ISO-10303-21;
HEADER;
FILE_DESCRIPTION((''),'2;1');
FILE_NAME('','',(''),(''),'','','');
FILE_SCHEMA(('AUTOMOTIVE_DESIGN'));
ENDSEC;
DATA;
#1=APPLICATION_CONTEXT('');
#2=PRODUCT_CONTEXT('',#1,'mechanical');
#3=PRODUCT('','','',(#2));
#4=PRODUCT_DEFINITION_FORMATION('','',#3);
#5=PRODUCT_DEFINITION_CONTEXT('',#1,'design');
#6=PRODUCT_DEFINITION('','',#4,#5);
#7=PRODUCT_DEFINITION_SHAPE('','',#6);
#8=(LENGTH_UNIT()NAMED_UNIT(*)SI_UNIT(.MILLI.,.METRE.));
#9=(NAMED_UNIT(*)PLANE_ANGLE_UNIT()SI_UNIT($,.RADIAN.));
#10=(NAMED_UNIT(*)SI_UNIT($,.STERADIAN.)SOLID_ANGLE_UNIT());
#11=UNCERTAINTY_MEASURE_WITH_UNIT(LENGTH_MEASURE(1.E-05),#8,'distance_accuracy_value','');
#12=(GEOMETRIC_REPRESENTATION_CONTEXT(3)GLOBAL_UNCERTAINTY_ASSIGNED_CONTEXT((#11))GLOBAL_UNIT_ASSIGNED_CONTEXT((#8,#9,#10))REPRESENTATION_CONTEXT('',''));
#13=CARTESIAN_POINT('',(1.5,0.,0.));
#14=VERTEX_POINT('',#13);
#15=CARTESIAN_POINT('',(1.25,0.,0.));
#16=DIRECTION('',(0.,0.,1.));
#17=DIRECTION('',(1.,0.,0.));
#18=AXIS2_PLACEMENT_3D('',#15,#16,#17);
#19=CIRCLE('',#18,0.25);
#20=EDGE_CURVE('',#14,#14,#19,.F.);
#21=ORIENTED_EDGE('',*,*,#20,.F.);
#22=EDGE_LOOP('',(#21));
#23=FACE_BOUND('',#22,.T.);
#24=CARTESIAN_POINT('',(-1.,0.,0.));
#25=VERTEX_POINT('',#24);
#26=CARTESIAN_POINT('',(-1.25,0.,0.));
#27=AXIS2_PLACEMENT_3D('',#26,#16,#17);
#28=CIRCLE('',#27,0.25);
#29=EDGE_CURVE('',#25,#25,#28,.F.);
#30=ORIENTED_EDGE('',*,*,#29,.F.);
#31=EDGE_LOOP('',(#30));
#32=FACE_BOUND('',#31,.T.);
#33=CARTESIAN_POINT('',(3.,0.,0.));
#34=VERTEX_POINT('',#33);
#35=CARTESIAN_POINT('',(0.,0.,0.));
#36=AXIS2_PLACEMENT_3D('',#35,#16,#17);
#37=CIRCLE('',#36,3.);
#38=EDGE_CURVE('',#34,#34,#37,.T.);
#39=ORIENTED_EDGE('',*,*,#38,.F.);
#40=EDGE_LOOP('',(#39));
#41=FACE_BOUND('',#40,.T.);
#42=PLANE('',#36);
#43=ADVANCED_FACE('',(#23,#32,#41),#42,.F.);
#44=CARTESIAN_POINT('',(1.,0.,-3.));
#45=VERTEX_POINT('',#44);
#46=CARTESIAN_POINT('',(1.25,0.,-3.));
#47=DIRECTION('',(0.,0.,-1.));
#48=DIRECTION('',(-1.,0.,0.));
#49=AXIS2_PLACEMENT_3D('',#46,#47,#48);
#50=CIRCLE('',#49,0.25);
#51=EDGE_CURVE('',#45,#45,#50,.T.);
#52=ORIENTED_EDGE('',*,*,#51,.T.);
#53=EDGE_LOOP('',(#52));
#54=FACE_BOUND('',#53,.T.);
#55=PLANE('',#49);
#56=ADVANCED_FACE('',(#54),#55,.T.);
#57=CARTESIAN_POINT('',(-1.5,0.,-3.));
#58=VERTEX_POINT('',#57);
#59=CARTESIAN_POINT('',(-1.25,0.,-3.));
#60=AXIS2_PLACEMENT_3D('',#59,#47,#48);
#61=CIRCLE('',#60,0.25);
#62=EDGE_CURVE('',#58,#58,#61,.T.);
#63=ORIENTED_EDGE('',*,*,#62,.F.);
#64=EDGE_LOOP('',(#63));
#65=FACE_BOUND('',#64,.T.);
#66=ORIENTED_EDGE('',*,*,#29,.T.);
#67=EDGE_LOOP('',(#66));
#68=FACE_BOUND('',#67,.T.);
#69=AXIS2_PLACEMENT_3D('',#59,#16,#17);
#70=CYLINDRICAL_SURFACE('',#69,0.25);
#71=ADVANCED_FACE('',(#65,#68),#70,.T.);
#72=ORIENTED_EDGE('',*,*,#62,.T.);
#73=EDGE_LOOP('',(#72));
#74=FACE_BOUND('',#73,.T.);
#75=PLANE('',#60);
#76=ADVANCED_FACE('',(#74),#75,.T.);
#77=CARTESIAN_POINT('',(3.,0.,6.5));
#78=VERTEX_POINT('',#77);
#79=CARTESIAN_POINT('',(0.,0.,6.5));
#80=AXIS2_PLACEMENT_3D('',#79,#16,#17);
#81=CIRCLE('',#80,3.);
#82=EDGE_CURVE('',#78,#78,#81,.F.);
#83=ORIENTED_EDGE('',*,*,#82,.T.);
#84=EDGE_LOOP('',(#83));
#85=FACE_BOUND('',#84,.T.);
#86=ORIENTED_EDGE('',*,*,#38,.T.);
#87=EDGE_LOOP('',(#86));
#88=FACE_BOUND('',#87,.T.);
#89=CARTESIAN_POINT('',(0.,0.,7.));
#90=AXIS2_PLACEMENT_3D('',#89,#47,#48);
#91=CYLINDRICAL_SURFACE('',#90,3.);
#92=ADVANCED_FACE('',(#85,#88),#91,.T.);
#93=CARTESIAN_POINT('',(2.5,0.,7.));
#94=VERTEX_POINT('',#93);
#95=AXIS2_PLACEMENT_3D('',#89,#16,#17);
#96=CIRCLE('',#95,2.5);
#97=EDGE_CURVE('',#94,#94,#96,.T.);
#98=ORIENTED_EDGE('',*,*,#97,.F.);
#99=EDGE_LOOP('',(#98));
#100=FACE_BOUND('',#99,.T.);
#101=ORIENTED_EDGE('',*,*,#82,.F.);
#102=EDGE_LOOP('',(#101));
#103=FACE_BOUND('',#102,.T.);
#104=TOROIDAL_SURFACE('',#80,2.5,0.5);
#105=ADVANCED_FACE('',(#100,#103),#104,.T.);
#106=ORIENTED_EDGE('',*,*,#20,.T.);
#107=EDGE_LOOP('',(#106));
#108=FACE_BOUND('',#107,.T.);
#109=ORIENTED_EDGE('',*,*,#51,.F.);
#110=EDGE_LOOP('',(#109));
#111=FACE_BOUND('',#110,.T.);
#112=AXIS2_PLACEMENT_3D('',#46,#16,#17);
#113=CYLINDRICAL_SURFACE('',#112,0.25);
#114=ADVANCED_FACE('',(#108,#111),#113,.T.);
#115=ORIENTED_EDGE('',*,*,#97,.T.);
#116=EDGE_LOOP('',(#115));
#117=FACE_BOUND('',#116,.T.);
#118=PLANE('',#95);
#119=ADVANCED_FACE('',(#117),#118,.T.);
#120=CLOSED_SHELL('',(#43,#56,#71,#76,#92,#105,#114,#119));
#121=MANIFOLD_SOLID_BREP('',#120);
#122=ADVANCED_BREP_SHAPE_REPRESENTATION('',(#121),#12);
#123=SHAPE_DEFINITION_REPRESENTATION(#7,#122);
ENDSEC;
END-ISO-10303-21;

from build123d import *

# Parameters (mm, degrees)
SKETCH_1_R      = 3
EXTRUDE_1_DEPTH = 7
SKETCH_2_R      = 0.25
EXTRUDE_2_DEPTH = 3
FILLET_1_R      = 0.5


with BuildPart() as part:
    # Эскиз1 → Вытянуть1 (new body)
    with BuildSketch(Plane.XY):
        Circle(SKETCH_1_R)
    extrude(amount=EXTRUDE_1_DEPTH)

    # Эскиз2 → Вытянуть2 (add)
    with BuildSketch(Plane(origin=(0, 0, 0), x_dir=(-1, 0, 0), z_dir=(0, 0, -1))):
        with Locations(Location((-1.25, 0, 0), (0, 0, 180))):
            Circle(SKETCH_2_R)
        with Locations(Location((1.25, 0, 0), (0, 0, 180))):
            Circle(SKETCH_2_R)
    extrude(amount=EXTRUDE_2_DEPTH)

    # Скругление1
    fillet_1_edges = [part.edges().sort_by_distance(p)[0] for p in [
        (-3, 0, 7),
    ]]
    fillet(fillet_1_edges, radius=FILLET_1_R)


solid = part.part
